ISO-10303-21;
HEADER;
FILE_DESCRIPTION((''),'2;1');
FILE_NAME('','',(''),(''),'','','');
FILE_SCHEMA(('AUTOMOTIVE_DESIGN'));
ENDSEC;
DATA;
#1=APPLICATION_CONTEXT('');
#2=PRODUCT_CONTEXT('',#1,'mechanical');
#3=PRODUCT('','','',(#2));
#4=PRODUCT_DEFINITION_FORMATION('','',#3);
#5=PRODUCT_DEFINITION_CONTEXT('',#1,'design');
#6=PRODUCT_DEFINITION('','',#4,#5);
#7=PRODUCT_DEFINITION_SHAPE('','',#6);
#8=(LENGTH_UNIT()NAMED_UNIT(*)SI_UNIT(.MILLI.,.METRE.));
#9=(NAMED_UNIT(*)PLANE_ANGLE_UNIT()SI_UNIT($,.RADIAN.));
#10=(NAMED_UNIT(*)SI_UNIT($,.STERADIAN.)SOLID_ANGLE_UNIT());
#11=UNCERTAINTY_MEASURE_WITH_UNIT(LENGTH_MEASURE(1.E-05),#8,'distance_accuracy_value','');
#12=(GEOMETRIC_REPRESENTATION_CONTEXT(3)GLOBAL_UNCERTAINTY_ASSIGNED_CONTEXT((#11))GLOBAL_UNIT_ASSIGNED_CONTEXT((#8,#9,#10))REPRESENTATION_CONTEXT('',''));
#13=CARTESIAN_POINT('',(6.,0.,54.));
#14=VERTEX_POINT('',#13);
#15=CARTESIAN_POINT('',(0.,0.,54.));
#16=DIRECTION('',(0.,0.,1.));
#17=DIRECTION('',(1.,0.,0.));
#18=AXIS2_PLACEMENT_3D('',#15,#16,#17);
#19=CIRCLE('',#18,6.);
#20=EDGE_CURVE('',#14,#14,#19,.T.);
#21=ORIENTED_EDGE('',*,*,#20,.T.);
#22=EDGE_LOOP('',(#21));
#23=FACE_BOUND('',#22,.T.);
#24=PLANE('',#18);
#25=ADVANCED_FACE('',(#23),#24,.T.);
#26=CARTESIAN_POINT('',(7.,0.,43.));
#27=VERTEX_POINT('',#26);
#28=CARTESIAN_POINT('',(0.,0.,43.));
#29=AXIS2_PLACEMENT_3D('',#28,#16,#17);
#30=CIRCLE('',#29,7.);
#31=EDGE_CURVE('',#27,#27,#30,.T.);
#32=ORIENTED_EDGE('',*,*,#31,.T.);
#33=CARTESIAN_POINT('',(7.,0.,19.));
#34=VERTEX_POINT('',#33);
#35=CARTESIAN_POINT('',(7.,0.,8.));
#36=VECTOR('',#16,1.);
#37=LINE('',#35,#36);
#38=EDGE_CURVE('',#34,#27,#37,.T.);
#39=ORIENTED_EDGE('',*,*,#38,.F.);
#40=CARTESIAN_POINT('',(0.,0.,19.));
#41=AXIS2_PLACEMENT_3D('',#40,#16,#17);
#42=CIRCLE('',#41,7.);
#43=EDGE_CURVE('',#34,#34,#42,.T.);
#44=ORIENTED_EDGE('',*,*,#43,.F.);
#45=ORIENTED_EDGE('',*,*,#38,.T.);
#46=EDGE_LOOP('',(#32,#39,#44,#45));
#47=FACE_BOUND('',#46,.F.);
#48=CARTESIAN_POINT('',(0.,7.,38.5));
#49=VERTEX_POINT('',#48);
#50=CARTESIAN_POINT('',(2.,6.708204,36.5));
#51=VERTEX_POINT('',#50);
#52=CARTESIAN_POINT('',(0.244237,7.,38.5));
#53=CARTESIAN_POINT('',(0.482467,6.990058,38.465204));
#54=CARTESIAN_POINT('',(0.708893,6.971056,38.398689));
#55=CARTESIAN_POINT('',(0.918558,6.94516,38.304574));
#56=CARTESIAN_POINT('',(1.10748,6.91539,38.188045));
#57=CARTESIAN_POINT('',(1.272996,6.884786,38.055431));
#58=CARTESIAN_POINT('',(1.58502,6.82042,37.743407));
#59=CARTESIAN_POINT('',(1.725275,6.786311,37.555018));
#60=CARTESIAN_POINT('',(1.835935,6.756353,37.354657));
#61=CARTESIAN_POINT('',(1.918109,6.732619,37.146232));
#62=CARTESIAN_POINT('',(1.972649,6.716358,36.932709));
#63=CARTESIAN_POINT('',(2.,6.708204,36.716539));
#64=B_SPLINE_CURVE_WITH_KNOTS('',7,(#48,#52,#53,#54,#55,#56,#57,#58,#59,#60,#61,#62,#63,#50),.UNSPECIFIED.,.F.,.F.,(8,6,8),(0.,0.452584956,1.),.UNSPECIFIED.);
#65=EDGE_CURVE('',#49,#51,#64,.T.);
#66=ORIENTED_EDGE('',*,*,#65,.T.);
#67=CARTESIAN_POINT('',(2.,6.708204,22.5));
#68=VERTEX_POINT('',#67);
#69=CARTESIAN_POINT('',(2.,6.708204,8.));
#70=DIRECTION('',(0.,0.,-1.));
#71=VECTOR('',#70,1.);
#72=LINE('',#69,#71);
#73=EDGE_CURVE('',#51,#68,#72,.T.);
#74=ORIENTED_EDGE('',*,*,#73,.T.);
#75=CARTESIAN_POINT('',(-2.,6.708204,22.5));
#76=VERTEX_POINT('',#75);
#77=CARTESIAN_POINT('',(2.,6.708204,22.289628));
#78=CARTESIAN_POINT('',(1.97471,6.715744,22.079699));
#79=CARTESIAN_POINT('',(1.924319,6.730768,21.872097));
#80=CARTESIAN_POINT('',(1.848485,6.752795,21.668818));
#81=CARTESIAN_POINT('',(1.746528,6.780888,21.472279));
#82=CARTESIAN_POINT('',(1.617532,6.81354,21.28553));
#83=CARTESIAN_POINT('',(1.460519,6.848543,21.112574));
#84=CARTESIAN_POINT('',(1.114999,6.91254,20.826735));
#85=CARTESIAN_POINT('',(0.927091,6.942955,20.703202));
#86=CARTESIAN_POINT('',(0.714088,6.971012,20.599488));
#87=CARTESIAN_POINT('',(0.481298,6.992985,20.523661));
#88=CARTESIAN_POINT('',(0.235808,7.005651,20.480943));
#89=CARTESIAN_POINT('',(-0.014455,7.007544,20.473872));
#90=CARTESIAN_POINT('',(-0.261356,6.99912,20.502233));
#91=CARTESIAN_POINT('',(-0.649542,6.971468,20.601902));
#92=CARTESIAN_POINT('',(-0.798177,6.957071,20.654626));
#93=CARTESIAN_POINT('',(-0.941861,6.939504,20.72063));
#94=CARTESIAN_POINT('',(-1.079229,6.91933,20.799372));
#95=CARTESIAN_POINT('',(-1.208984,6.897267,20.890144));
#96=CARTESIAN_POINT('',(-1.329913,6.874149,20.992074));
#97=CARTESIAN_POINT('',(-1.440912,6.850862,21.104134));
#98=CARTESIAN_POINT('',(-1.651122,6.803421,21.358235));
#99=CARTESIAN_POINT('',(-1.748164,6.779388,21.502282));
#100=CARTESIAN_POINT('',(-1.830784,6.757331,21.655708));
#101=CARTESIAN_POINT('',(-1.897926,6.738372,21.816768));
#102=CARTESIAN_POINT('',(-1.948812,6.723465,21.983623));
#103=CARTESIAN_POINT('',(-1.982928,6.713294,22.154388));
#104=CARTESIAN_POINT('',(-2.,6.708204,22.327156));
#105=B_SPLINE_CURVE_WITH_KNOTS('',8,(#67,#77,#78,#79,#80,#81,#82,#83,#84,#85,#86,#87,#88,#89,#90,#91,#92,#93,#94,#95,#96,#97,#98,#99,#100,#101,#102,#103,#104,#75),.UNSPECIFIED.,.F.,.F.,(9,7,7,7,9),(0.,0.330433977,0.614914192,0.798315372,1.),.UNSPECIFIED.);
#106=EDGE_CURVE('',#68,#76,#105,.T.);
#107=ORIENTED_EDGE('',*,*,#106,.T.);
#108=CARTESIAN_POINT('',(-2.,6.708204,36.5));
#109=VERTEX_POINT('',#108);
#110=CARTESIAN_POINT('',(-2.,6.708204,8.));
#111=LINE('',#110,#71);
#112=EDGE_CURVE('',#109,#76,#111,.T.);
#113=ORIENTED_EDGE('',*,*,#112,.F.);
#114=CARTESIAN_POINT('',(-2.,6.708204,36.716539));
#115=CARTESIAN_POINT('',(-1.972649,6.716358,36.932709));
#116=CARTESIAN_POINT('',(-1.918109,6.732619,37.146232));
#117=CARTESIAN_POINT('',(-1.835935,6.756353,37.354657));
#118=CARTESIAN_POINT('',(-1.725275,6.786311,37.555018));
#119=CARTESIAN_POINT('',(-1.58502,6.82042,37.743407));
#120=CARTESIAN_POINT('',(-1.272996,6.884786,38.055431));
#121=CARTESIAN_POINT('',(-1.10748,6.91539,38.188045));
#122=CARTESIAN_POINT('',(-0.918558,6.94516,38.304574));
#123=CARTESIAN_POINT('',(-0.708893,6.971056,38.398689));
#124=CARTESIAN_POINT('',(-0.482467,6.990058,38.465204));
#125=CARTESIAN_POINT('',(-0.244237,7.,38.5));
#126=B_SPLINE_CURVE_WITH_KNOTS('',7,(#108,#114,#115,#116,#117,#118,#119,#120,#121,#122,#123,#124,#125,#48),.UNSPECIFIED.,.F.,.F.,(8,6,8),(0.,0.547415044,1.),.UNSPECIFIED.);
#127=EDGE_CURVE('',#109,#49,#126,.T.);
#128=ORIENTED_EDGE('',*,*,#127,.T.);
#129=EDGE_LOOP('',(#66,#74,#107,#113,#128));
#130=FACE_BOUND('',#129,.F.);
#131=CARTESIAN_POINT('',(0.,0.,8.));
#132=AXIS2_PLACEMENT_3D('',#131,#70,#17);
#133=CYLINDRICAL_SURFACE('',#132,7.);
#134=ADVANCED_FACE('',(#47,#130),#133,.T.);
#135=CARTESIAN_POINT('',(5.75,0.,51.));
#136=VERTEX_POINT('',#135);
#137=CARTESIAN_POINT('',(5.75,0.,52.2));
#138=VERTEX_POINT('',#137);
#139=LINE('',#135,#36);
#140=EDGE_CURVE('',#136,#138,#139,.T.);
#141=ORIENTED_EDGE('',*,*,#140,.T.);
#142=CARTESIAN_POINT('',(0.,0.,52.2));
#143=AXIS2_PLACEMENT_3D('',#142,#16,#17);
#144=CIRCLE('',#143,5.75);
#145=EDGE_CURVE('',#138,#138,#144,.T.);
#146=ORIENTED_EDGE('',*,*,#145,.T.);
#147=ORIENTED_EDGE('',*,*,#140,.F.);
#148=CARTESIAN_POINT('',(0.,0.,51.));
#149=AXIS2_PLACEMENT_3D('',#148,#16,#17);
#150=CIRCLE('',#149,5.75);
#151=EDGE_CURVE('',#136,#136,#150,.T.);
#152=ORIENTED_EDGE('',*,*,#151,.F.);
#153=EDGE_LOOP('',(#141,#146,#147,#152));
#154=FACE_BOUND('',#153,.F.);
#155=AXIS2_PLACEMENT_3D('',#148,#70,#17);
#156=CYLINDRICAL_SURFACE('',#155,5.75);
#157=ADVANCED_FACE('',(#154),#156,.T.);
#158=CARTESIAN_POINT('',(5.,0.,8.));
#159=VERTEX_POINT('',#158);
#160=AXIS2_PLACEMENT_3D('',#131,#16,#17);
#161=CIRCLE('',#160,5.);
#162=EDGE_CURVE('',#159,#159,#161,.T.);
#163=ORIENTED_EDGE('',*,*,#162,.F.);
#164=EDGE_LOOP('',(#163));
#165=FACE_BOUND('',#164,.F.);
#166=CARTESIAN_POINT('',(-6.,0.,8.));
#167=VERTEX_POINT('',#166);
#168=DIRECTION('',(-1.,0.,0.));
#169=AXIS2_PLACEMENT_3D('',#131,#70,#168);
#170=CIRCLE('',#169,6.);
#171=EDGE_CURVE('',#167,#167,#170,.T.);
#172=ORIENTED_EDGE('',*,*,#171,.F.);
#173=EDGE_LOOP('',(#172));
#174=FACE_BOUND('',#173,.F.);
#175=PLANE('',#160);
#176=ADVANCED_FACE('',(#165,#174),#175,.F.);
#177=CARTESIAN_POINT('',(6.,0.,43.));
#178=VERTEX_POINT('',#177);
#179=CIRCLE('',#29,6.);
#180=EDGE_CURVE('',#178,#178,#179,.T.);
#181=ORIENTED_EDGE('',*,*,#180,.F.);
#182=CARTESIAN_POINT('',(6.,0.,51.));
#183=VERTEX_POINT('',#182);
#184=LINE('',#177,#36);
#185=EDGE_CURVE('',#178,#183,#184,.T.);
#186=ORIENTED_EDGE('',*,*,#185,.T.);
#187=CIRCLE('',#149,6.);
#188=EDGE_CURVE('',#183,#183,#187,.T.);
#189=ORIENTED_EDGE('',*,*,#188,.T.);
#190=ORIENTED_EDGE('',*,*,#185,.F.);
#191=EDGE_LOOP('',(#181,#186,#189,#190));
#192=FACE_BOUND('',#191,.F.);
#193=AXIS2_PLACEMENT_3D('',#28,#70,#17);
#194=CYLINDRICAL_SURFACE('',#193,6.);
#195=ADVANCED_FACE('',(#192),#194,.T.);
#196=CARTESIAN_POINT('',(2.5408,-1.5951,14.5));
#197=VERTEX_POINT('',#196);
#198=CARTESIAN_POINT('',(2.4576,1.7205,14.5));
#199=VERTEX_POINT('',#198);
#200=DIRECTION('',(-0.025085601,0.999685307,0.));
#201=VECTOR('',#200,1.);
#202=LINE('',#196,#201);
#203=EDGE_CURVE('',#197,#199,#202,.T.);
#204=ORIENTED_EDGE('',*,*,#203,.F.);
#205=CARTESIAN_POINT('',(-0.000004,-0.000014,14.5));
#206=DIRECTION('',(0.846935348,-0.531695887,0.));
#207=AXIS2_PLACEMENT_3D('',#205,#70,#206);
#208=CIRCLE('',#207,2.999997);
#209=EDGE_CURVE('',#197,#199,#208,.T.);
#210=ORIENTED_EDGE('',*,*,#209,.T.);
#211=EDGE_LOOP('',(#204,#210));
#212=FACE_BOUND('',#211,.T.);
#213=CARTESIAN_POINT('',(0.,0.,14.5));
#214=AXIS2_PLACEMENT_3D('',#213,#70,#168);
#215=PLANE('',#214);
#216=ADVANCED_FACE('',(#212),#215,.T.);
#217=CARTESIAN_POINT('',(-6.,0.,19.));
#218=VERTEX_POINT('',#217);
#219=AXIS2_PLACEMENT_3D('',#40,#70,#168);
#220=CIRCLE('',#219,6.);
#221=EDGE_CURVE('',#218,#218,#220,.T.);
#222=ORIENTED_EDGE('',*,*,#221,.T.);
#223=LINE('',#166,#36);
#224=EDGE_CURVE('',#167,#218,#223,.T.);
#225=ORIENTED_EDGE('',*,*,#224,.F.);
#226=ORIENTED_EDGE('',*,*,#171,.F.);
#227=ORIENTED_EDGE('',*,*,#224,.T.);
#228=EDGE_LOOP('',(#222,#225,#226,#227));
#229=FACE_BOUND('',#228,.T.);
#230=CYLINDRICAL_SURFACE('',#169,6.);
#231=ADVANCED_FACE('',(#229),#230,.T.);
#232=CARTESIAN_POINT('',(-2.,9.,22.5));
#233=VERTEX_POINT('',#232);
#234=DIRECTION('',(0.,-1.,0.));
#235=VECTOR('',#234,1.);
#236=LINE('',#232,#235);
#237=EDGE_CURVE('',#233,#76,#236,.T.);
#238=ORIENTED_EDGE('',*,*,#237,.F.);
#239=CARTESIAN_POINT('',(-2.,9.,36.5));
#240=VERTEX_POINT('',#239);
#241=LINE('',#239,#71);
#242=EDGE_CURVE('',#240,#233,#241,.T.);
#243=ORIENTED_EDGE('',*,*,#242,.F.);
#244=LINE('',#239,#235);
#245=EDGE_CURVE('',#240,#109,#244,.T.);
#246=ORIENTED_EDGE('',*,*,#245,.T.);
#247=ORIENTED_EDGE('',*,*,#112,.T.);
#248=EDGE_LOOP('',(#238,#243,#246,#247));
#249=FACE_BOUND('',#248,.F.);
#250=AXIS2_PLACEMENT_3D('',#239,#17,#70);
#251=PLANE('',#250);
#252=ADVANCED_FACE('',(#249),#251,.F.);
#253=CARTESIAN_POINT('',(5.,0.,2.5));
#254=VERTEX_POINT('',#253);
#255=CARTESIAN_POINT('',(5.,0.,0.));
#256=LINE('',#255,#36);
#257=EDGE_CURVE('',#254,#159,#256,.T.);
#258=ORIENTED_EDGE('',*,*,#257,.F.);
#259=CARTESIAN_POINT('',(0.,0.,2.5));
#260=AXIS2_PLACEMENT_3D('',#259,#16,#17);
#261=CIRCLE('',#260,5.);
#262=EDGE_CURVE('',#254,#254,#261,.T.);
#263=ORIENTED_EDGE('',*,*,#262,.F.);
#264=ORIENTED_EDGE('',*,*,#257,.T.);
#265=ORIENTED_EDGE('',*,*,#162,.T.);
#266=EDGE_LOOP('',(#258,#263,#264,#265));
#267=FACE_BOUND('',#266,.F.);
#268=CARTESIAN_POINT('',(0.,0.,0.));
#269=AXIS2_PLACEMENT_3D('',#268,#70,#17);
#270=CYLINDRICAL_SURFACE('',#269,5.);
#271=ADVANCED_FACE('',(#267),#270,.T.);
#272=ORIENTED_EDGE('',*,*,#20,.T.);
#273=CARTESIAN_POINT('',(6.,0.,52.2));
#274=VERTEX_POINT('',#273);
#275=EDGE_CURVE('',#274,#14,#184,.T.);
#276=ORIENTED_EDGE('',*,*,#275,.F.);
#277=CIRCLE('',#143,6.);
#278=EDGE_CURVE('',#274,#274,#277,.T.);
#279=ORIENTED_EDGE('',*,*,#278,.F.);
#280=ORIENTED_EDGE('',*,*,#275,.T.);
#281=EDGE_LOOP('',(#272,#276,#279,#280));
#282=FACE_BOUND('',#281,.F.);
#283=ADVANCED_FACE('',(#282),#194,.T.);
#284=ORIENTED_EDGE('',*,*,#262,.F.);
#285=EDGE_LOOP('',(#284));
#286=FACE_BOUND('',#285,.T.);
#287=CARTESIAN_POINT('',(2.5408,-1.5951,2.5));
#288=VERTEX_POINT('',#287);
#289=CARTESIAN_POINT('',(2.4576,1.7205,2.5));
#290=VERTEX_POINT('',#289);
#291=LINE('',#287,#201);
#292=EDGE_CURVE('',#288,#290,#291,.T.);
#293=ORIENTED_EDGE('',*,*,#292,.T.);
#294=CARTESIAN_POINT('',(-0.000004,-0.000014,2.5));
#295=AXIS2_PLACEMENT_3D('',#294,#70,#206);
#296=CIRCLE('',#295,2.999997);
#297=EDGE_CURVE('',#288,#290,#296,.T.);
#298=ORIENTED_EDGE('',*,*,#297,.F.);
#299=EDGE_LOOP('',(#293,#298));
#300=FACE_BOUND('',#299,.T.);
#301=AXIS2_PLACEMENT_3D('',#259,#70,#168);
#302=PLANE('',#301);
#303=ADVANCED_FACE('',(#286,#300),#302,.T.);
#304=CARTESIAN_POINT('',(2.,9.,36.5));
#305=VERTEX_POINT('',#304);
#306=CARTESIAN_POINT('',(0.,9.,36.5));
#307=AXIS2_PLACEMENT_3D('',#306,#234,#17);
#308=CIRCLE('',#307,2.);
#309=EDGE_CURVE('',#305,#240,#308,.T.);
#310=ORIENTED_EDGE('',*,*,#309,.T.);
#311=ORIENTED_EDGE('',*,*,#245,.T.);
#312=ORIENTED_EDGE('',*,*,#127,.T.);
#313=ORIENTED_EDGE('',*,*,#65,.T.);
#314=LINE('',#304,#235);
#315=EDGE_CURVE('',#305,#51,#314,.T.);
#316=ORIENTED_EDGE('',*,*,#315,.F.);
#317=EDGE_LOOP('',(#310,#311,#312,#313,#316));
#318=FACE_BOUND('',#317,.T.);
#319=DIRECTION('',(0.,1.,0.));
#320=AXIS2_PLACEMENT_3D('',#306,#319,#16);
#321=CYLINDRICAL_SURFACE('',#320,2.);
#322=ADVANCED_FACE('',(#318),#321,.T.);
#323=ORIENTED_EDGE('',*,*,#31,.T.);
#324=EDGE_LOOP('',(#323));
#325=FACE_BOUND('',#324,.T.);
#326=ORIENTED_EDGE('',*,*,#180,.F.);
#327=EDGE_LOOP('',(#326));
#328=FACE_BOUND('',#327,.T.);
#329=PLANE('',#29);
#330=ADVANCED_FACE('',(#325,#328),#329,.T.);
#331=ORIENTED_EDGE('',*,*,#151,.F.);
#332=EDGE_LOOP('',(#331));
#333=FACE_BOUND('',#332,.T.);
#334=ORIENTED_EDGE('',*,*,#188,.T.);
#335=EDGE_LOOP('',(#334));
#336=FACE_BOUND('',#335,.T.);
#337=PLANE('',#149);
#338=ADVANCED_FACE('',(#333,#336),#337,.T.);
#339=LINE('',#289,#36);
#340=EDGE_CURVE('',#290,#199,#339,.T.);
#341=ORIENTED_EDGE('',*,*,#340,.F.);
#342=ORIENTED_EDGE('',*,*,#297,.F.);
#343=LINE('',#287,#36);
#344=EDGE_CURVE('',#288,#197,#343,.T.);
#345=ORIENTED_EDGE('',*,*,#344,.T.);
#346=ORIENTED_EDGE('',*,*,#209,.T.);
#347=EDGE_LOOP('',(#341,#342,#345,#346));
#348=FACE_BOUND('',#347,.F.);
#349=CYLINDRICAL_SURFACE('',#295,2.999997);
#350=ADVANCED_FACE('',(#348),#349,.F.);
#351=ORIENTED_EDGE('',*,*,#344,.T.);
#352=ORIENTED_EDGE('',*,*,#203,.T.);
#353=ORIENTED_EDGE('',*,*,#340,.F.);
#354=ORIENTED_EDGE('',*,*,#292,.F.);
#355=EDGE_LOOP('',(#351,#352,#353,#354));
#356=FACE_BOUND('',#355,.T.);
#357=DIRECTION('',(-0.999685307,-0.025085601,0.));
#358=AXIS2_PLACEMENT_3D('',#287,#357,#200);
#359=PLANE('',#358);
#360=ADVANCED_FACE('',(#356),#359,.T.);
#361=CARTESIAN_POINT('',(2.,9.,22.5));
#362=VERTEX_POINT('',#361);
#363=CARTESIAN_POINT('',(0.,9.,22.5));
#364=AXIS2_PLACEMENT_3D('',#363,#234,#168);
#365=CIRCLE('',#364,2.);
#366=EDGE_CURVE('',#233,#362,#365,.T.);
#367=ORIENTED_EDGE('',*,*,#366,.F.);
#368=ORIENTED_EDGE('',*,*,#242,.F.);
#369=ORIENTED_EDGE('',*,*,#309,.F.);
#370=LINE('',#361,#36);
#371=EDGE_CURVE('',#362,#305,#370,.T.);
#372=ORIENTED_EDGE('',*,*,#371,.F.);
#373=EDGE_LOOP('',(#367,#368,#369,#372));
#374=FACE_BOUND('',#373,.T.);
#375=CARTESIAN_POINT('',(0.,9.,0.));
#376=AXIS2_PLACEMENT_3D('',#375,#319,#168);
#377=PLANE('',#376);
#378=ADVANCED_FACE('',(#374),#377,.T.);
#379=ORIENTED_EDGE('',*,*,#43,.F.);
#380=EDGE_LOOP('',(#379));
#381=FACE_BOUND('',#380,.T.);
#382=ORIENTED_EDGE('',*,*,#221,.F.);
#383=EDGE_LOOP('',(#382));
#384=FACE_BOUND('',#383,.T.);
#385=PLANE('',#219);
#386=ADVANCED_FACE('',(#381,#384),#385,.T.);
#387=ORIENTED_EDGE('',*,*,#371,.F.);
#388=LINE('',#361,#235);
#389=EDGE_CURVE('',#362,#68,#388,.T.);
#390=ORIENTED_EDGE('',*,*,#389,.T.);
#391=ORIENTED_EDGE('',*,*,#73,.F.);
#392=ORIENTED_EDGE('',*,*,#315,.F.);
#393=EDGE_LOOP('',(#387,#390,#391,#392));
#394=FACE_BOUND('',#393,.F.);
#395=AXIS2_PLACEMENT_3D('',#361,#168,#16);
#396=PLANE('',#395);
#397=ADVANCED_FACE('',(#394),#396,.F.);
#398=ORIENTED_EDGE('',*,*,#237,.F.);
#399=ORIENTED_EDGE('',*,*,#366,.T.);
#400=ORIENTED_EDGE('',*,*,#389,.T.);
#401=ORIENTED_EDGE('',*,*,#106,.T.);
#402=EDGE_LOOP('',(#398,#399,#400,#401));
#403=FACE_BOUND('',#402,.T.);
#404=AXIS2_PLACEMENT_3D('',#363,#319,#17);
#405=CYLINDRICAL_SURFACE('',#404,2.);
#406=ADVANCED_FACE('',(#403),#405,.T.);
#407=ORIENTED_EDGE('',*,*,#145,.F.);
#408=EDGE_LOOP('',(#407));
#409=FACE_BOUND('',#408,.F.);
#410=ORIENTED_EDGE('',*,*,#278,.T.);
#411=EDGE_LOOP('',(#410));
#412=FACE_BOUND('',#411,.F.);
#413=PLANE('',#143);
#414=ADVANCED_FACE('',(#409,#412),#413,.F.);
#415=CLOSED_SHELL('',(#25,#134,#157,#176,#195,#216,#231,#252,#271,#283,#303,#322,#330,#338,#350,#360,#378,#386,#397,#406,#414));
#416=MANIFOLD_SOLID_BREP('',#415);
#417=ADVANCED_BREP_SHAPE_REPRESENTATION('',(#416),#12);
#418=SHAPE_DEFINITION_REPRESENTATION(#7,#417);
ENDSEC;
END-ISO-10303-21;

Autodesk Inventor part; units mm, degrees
sketch "Sketch1" plane through (0, 0, 0) normal (0, 0, 1) x (1, 0, 0)
  arc A0 (-1.5, -1.3229) -> (-1.5, 1.3229) centre (0, 0) ccw
  line L0 (-1.5, 1.3229) -> (-1.5, -1.3229)
  circle A1 centre (0, 0) radius 5
  dimension "d0" = 4
  dimension "d2" = 10
extrude "Extrusion1" add sketch "Sketch1" along normal blind 8
sketch "Sketch2" plane through (0, 0, 8) normal (0, 0, 1) x (1, 0, 0)
  point P0 (0, 0)
sketch "Sketch3" plane through (0, 0, 8) normal (0, 0, 1) x (1, 0, 0)
  circle A0 centre (0, 0) radius 7
  dimension "d5" = 14
extrude "Extrusion2" add sketch "Sketch3" along normal blind 35
ref_plane "Work Plane1" through (0, 9, 0) normal (0, 1, 0) x (-1, 0, 0)
sketch "Sketch4" plane through (0, 9, 0) normal (0, 1, 0) x (-1, 0, 0)
  line L0 (0, 20.5) -> (0, 20.5)
  line L1 (-2, 22.5) -> (-2, 36.5)
  line L2 (0, 38.5) -> (0, 38.5)
  line L3 (2, 36.5) -> (2, 22.5)
  line L4 (0, -7.7828) -> (0, 46.6971) projected
  line L5 (7, 8) -> (-7, 8) projected
  arc A0 (0, 20.5) -> (2, 22.5) centre (0, 22.5) ccw
  arc A1 (-2, 22.5) -> (0, 20.5) centre (0, 22.5) ccw
  arc A2 (2, 36.5) -> (0, 38.5) centre (0, 36.5) ccw
  arc A3 (0, 38.5) -> (-2, 36.5) centre (0, 36.5) ccw
  line L6 (4.0307, 31) -> (-5.3749, 31) construction
  point P0 (0, 0)
  point P1 (-2, 38.5)
  point P2 (-2, 20.5)
  point P3 (2, 38.5)
  point P4 (0, 38.5)
  point P5 (0, 20.5)
  point P6 (0, 38.5)
  point P7 (0, 20.5)
  point P8 (0, 20.5)
  point P9 (0, 38.5)
  dimension "d9" = 18
  dimension "d10" = 4
  dimension "d11" = 12.5
  dimension "d12" = 2
extrude "Extrusion3" add sketch "Sketch4" against normal up to surface
sketch "Sketch5" plane through (0, 0, 8) normal (0, 0, -1) x (-1, 0, 0)
  circle A0 centre (0, 0) radius 6
  circle A1 centre (0, 0) radius 7
  dimension "d15" = 12
extrude "Extrusion4" cut sketch "Sketch5" against normal blind 11
sketch "Sketch6" plane through (0, 0, 43) normal (0, 0, 1) x (1, 0, 0)
  arc A0 (-1.5, -1.3229) -> (-1.5, 1.3229) centre (0, 0) ccw projected
  circle A1 centre (0, 0) radius 6
  dimension "d18" = 12
extrude "Extrusion5" add sketch "Sketch6" along normal blind 11
ref_plane "Work Plane2" through (0, 0, 11) normal (0, 0, -1) x (-1, 0, 0)
ref_plane "Work Plane3" through (0, 0, 51) normal (0, 0, 1) x (1, 0, 0)
sketch "Sketch8" plane through (0, 0, 51) normal (0, 0, 1) x (1, 0, 0)
  circle A0 centre (0, 0) radius 5.75
  arc A1 (-1.5, -1.3229) -> (-1.5, 1.3229) centre (0, 0) ccw projected
  circle A2 centre (0, 0) radius 6
  dimension "d27" = 11.5
  dimension "d28" = 12
extrude "Extrusion7" cut sketch "Sketch8" along normal blind 1.2
sketch "Sketch9" plane through (0, 0, 0) normal (0, 0, -1) x (-1, 0, 0)
  circle A0 centre (0, 0) radius 5 projected
  line L0 (1.5, -1.3229) -> (1.5, 1.3229) projected
  arc A1 (1.5, 1.3229) -> (1.5, -1.3229) centre (0, 0) ccw projected
extrude "Extrusion8" cut sketch "Sketch9" against normal blind 2.5
sketch "Sketch10" plane through (0, 0, 8) normal (0, 0, -1) x (-1, 0, 0)
  arc A0 (1.5, 1.3229) -> (1.5, -1.3229) centre (0, 0) ccw projected
  line L0 (1.5, -1.3229) -> (1.5, 1.3229) projected
extrude "Extrusion9" cut sketch "Sketch10" against normal blind 2.7
sketch "Sketch11" plane through (0, 0, 8) normal (0, 0, -1) x (-1, 0, 0)
  line L0 (1.5, 1.3229) -> (1.5, -1.3229) projected
  arc A0 (1.5, 1.3229) -> (1.5, -1.3229) centre (0, 0) ccw projected
extrude "Extrusion10" add sketch "Sketch11" along normal up to surface (5.5 mm away)
sketch "Sketch12" plane through (0, 0, 2.5) normal (0, 0, -1) x (-1, 0, 0)
  circle A0 centre (0, 0) radius 1.5 projected
  line L0 (-2.5408, -1.5951) -> (-2.4576, 1.7205) projected
  arc A1 (-2.5408, -1.5951) -> (-2.4576, 1.7205) centre (0, 0) ccw projected
  point P0 (0, 0)
extrude "Extrusion11" cut sketch "Sketch12" against normal blind 12 contours A0 | L0 A1
properties part number "shatft extension"
